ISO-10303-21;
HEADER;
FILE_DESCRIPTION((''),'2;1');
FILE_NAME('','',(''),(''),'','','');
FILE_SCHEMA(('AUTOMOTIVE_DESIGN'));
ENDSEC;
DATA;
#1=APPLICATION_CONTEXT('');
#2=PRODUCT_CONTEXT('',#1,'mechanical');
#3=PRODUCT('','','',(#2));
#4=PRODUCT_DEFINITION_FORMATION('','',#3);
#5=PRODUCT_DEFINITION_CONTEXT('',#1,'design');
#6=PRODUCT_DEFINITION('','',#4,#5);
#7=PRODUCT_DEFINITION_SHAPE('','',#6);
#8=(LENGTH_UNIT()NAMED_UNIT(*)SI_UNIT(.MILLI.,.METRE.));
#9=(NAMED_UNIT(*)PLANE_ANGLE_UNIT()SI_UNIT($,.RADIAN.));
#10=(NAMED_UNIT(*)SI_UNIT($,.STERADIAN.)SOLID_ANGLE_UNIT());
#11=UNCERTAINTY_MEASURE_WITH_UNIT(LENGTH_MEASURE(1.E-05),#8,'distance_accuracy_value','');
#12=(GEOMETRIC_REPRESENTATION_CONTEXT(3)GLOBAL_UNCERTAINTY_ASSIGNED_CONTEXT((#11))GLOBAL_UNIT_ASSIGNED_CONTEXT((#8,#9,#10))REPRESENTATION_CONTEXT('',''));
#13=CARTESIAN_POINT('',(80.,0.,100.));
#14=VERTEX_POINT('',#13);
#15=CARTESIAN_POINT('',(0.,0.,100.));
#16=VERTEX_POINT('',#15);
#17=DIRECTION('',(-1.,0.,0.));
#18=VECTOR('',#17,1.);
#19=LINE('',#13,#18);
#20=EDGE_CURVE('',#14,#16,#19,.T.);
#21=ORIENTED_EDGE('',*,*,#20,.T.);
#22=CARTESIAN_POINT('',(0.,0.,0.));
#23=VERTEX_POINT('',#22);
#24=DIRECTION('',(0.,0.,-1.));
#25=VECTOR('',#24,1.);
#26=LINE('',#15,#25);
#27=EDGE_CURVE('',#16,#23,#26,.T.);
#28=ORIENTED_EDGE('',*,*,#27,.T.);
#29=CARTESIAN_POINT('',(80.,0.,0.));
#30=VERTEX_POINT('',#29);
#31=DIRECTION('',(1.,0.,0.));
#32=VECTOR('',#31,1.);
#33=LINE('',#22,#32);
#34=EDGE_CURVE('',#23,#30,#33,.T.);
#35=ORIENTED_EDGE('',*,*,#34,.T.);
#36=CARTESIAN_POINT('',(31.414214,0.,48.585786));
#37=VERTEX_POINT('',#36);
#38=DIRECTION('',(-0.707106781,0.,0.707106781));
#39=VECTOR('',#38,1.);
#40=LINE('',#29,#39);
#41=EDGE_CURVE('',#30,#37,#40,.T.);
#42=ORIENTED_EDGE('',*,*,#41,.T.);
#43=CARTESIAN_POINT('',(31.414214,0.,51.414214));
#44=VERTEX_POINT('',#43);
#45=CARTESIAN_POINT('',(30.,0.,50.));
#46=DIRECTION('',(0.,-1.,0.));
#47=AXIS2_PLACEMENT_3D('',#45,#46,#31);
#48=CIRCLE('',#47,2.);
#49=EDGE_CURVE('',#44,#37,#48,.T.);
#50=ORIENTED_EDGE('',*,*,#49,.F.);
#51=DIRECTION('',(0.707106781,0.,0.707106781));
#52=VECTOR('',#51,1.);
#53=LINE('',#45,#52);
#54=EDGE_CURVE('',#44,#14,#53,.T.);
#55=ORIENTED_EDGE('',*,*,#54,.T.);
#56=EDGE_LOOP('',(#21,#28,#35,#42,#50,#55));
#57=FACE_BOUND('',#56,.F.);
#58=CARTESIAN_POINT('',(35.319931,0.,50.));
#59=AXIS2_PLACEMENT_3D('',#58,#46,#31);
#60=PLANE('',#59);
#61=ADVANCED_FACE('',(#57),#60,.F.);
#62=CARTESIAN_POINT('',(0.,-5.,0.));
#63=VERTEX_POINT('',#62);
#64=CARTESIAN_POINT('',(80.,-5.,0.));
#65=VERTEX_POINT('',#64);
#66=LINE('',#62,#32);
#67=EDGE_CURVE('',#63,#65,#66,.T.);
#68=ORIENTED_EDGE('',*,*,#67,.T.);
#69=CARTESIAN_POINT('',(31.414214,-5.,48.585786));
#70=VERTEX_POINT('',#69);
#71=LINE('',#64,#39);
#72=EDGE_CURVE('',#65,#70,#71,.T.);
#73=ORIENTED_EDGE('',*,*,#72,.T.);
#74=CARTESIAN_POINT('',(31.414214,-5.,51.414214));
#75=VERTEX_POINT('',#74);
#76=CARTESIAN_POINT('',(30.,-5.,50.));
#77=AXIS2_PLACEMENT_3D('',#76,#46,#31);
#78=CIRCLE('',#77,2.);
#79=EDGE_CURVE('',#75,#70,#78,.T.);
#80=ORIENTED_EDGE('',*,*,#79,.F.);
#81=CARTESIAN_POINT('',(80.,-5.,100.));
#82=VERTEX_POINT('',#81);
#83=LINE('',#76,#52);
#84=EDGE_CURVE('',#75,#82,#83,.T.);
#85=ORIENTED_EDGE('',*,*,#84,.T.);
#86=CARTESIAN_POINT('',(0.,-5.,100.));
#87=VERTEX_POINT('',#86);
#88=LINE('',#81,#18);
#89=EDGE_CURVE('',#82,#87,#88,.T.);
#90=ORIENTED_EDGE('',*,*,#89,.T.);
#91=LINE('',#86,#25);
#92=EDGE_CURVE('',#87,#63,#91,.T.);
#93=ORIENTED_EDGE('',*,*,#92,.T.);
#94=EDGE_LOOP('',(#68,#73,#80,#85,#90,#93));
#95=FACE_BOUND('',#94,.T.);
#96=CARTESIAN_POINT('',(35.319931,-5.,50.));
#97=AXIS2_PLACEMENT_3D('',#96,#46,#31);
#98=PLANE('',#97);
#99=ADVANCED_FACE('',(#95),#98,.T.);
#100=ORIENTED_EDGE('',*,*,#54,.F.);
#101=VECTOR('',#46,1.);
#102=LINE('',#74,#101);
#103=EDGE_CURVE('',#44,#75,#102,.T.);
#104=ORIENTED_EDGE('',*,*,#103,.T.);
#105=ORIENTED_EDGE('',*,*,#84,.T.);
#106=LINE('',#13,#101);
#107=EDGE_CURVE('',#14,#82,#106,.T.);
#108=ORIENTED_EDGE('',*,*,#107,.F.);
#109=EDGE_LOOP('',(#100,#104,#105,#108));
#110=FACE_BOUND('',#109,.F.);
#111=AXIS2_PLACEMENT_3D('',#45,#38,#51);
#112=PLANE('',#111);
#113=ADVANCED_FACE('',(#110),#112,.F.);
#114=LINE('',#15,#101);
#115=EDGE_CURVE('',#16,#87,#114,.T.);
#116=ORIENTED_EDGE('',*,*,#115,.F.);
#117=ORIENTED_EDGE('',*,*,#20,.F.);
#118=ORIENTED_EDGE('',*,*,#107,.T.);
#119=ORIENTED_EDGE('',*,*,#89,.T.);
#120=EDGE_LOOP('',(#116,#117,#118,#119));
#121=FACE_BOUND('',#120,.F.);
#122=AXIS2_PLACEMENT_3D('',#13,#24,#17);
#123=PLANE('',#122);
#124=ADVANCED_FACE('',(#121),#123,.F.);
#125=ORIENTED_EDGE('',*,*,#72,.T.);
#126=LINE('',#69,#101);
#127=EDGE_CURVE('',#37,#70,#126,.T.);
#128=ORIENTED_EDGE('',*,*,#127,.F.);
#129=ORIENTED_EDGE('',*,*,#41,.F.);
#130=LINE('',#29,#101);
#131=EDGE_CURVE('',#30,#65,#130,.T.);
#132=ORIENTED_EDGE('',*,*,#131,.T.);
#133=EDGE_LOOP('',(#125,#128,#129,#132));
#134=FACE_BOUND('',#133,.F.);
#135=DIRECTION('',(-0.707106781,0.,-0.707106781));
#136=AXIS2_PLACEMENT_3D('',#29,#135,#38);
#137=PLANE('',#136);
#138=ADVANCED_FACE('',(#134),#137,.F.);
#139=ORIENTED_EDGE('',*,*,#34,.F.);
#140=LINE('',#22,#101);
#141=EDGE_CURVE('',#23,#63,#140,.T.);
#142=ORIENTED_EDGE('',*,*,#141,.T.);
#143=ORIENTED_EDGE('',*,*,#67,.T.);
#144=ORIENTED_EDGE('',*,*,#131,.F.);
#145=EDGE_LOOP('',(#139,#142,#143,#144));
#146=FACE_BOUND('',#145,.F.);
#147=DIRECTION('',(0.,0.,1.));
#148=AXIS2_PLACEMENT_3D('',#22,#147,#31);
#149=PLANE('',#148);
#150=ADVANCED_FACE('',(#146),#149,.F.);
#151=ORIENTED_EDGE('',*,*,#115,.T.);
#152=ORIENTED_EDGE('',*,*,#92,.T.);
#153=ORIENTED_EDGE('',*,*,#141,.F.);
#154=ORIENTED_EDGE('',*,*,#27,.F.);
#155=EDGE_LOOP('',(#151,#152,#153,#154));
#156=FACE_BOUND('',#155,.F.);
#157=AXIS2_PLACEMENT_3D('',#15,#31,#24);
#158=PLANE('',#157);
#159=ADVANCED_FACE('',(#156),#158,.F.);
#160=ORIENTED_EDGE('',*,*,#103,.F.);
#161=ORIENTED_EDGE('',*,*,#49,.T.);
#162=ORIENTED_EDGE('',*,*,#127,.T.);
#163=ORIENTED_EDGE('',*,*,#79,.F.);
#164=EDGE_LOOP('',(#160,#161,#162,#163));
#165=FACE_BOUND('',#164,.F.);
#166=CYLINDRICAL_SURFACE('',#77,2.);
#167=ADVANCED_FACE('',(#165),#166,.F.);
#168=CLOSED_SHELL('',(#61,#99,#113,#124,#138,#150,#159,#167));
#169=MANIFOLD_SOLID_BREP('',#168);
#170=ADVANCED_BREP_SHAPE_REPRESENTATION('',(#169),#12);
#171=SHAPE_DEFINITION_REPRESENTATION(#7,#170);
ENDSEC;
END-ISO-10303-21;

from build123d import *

# Parameters (mm, degrees)
F1_DEPTH = 5
F2_R     = 2
F3_DEPTH = 5.001


with BuildPart() as f1:
    # F0 (on Front) → F1 (new body)
    with BuildSketch(Plane.XZ):
        Polygon((0, 100), (0, 0), (80, 0), (30, 50), (80, 100), align=None)
    extrude(amount=F1_DEPTH)

    # F2 (on face) → F3 (cut, through all)
    with BuildSketch(Plane.XZ.offset(5)):
        with Locations((30, 50)):
            Circle(F2_R)
    extrude(amount=-F3_DEPTH, mode=Mode.SUBTRACT)


solid = f1.part
